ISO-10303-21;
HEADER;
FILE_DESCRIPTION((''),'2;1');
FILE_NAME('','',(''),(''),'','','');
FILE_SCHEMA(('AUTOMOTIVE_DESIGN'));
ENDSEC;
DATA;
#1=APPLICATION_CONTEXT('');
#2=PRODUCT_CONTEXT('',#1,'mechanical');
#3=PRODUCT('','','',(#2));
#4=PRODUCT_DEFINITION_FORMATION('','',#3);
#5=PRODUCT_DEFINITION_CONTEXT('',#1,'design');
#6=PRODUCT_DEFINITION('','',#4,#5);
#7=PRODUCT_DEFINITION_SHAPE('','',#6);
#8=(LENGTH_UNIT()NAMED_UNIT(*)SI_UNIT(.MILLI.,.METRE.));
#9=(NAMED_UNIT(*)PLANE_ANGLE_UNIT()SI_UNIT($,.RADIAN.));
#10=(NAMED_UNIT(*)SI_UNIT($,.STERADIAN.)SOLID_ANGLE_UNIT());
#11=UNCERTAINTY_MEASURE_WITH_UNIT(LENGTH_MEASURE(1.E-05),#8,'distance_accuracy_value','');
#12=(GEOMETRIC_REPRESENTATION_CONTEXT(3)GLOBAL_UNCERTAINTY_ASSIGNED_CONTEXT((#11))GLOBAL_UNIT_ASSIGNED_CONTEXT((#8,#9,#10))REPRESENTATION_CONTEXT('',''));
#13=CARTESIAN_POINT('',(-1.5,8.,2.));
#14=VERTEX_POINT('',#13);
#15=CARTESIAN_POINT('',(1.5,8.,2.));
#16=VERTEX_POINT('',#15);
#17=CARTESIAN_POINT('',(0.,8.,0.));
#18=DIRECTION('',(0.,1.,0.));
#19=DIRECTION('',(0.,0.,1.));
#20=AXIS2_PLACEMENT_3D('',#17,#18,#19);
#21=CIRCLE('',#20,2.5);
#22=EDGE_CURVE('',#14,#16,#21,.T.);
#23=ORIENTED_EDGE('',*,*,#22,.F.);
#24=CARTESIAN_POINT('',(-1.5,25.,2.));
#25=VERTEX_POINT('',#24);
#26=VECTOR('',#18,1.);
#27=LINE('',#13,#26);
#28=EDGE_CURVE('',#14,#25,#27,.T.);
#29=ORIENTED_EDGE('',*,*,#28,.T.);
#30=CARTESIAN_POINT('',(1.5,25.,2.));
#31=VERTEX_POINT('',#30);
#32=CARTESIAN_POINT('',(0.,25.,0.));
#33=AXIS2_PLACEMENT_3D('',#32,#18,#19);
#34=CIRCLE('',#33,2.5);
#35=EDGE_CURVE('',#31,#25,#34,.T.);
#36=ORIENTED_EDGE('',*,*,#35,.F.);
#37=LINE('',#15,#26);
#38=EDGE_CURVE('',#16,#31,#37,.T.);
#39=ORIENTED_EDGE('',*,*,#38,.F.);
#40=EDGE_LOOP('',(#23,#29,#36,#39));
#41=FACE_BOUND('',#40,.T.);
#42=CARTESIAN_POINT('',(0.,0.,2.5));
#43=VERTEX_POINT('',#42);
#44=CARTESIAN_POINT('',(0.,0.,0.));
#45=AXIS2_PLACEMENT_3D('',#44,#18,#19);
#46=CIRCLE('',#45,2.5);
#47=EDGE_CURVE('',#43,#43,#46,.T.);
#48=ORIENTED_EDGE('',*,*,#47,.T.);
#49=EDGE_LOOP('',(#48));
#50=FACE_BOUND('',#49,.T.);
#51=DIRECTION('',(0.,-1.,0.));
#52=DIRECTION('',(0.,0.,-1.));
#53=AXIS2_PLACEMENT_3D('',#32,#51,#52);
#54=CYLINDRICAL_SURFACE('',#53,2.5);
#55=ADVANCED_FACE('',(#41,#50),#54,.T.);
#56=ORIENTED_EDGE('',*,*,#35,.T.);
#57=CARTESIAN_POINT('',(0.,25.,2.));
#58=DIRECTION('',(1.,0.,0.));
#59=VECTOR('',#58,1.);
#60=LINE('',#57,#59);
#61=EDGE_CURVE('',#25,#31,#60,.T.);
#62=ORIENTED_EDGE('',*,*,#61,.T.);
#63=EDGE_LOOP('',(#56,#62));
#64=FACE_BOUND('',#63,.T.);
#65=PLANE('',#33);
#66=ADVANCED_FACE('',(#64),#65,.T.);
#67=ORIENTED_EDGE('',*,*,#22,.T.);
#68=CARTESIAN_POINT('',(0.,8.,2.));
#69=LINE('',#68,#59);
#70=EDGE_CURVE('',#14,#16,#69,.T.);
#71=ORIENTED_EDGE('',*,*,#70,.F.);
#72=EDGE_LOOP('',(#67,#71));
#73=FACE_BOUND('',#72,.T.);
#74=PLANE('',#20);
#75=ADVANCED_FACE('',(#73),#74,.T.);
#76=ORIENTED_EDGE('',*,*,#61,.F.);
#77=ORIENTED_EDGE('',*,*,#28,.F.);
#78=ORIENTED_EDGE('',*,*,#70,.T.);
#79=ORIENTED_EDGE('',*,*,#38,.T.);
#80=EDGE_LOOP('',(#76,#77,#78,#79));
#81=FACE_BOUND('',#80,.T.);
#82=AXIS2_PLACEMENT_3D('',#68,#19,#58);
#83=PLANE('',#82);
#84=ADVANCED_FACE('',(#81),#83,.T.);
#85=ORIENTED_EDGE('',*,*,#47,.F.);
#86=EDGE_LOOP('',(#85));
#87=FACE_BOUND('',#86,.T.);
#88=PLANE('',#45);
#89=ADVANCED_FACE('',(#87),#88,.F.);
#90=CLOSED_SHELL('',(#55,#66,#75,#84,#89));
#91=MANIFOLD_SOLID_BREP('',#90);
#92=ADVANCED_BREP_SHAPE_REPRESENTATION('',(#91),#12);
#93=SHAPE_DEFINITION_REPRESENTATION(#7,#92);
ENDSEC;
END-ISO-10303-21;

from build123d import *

# Parameters (mm, degrees)
SKETCH_1_R          = 2.5
EXTRUDE_1_DEPTH     = 25
CUT_EXTRUDE_START   = -17
CUT_EXTRUDE_1_DEPTH = 17


with BuildPart() as part:
    # Эскиз1 → Бобышка-Вытянуть1 (new body)
    with BuildSketch(Plane(origin=(0, 0, 0), x_dir=(1, 0, 0), z_dir=(0, 1, 0))):
        with Locations(Location((0, 0, 0), (0, 0, 270))):
            Circle(SKETCH_1_R)
    extrude(amount=EXTRUDE_1_DEPTH)

    # Эскиз2 → Вырез-Вытянуть1 (cut)
    with BuildSketch(Plane(origin=(0, 25, 0), x_dir=(1, 0, 0), z_dir=(0, 1, 0)).offset(CUT_EXTRUDE_START)):
        with BuildLine():
            Line((1.5, -2), (-1.5, -2))
            ThreePointArc((-1.5, -2), (0, -2.5), (1.5, -2))
        make_face()
    extrude(amount=CUT_EXTRUDE_1_DEPTH, mode=Mode.SUBTRACT)


solid = part.part
